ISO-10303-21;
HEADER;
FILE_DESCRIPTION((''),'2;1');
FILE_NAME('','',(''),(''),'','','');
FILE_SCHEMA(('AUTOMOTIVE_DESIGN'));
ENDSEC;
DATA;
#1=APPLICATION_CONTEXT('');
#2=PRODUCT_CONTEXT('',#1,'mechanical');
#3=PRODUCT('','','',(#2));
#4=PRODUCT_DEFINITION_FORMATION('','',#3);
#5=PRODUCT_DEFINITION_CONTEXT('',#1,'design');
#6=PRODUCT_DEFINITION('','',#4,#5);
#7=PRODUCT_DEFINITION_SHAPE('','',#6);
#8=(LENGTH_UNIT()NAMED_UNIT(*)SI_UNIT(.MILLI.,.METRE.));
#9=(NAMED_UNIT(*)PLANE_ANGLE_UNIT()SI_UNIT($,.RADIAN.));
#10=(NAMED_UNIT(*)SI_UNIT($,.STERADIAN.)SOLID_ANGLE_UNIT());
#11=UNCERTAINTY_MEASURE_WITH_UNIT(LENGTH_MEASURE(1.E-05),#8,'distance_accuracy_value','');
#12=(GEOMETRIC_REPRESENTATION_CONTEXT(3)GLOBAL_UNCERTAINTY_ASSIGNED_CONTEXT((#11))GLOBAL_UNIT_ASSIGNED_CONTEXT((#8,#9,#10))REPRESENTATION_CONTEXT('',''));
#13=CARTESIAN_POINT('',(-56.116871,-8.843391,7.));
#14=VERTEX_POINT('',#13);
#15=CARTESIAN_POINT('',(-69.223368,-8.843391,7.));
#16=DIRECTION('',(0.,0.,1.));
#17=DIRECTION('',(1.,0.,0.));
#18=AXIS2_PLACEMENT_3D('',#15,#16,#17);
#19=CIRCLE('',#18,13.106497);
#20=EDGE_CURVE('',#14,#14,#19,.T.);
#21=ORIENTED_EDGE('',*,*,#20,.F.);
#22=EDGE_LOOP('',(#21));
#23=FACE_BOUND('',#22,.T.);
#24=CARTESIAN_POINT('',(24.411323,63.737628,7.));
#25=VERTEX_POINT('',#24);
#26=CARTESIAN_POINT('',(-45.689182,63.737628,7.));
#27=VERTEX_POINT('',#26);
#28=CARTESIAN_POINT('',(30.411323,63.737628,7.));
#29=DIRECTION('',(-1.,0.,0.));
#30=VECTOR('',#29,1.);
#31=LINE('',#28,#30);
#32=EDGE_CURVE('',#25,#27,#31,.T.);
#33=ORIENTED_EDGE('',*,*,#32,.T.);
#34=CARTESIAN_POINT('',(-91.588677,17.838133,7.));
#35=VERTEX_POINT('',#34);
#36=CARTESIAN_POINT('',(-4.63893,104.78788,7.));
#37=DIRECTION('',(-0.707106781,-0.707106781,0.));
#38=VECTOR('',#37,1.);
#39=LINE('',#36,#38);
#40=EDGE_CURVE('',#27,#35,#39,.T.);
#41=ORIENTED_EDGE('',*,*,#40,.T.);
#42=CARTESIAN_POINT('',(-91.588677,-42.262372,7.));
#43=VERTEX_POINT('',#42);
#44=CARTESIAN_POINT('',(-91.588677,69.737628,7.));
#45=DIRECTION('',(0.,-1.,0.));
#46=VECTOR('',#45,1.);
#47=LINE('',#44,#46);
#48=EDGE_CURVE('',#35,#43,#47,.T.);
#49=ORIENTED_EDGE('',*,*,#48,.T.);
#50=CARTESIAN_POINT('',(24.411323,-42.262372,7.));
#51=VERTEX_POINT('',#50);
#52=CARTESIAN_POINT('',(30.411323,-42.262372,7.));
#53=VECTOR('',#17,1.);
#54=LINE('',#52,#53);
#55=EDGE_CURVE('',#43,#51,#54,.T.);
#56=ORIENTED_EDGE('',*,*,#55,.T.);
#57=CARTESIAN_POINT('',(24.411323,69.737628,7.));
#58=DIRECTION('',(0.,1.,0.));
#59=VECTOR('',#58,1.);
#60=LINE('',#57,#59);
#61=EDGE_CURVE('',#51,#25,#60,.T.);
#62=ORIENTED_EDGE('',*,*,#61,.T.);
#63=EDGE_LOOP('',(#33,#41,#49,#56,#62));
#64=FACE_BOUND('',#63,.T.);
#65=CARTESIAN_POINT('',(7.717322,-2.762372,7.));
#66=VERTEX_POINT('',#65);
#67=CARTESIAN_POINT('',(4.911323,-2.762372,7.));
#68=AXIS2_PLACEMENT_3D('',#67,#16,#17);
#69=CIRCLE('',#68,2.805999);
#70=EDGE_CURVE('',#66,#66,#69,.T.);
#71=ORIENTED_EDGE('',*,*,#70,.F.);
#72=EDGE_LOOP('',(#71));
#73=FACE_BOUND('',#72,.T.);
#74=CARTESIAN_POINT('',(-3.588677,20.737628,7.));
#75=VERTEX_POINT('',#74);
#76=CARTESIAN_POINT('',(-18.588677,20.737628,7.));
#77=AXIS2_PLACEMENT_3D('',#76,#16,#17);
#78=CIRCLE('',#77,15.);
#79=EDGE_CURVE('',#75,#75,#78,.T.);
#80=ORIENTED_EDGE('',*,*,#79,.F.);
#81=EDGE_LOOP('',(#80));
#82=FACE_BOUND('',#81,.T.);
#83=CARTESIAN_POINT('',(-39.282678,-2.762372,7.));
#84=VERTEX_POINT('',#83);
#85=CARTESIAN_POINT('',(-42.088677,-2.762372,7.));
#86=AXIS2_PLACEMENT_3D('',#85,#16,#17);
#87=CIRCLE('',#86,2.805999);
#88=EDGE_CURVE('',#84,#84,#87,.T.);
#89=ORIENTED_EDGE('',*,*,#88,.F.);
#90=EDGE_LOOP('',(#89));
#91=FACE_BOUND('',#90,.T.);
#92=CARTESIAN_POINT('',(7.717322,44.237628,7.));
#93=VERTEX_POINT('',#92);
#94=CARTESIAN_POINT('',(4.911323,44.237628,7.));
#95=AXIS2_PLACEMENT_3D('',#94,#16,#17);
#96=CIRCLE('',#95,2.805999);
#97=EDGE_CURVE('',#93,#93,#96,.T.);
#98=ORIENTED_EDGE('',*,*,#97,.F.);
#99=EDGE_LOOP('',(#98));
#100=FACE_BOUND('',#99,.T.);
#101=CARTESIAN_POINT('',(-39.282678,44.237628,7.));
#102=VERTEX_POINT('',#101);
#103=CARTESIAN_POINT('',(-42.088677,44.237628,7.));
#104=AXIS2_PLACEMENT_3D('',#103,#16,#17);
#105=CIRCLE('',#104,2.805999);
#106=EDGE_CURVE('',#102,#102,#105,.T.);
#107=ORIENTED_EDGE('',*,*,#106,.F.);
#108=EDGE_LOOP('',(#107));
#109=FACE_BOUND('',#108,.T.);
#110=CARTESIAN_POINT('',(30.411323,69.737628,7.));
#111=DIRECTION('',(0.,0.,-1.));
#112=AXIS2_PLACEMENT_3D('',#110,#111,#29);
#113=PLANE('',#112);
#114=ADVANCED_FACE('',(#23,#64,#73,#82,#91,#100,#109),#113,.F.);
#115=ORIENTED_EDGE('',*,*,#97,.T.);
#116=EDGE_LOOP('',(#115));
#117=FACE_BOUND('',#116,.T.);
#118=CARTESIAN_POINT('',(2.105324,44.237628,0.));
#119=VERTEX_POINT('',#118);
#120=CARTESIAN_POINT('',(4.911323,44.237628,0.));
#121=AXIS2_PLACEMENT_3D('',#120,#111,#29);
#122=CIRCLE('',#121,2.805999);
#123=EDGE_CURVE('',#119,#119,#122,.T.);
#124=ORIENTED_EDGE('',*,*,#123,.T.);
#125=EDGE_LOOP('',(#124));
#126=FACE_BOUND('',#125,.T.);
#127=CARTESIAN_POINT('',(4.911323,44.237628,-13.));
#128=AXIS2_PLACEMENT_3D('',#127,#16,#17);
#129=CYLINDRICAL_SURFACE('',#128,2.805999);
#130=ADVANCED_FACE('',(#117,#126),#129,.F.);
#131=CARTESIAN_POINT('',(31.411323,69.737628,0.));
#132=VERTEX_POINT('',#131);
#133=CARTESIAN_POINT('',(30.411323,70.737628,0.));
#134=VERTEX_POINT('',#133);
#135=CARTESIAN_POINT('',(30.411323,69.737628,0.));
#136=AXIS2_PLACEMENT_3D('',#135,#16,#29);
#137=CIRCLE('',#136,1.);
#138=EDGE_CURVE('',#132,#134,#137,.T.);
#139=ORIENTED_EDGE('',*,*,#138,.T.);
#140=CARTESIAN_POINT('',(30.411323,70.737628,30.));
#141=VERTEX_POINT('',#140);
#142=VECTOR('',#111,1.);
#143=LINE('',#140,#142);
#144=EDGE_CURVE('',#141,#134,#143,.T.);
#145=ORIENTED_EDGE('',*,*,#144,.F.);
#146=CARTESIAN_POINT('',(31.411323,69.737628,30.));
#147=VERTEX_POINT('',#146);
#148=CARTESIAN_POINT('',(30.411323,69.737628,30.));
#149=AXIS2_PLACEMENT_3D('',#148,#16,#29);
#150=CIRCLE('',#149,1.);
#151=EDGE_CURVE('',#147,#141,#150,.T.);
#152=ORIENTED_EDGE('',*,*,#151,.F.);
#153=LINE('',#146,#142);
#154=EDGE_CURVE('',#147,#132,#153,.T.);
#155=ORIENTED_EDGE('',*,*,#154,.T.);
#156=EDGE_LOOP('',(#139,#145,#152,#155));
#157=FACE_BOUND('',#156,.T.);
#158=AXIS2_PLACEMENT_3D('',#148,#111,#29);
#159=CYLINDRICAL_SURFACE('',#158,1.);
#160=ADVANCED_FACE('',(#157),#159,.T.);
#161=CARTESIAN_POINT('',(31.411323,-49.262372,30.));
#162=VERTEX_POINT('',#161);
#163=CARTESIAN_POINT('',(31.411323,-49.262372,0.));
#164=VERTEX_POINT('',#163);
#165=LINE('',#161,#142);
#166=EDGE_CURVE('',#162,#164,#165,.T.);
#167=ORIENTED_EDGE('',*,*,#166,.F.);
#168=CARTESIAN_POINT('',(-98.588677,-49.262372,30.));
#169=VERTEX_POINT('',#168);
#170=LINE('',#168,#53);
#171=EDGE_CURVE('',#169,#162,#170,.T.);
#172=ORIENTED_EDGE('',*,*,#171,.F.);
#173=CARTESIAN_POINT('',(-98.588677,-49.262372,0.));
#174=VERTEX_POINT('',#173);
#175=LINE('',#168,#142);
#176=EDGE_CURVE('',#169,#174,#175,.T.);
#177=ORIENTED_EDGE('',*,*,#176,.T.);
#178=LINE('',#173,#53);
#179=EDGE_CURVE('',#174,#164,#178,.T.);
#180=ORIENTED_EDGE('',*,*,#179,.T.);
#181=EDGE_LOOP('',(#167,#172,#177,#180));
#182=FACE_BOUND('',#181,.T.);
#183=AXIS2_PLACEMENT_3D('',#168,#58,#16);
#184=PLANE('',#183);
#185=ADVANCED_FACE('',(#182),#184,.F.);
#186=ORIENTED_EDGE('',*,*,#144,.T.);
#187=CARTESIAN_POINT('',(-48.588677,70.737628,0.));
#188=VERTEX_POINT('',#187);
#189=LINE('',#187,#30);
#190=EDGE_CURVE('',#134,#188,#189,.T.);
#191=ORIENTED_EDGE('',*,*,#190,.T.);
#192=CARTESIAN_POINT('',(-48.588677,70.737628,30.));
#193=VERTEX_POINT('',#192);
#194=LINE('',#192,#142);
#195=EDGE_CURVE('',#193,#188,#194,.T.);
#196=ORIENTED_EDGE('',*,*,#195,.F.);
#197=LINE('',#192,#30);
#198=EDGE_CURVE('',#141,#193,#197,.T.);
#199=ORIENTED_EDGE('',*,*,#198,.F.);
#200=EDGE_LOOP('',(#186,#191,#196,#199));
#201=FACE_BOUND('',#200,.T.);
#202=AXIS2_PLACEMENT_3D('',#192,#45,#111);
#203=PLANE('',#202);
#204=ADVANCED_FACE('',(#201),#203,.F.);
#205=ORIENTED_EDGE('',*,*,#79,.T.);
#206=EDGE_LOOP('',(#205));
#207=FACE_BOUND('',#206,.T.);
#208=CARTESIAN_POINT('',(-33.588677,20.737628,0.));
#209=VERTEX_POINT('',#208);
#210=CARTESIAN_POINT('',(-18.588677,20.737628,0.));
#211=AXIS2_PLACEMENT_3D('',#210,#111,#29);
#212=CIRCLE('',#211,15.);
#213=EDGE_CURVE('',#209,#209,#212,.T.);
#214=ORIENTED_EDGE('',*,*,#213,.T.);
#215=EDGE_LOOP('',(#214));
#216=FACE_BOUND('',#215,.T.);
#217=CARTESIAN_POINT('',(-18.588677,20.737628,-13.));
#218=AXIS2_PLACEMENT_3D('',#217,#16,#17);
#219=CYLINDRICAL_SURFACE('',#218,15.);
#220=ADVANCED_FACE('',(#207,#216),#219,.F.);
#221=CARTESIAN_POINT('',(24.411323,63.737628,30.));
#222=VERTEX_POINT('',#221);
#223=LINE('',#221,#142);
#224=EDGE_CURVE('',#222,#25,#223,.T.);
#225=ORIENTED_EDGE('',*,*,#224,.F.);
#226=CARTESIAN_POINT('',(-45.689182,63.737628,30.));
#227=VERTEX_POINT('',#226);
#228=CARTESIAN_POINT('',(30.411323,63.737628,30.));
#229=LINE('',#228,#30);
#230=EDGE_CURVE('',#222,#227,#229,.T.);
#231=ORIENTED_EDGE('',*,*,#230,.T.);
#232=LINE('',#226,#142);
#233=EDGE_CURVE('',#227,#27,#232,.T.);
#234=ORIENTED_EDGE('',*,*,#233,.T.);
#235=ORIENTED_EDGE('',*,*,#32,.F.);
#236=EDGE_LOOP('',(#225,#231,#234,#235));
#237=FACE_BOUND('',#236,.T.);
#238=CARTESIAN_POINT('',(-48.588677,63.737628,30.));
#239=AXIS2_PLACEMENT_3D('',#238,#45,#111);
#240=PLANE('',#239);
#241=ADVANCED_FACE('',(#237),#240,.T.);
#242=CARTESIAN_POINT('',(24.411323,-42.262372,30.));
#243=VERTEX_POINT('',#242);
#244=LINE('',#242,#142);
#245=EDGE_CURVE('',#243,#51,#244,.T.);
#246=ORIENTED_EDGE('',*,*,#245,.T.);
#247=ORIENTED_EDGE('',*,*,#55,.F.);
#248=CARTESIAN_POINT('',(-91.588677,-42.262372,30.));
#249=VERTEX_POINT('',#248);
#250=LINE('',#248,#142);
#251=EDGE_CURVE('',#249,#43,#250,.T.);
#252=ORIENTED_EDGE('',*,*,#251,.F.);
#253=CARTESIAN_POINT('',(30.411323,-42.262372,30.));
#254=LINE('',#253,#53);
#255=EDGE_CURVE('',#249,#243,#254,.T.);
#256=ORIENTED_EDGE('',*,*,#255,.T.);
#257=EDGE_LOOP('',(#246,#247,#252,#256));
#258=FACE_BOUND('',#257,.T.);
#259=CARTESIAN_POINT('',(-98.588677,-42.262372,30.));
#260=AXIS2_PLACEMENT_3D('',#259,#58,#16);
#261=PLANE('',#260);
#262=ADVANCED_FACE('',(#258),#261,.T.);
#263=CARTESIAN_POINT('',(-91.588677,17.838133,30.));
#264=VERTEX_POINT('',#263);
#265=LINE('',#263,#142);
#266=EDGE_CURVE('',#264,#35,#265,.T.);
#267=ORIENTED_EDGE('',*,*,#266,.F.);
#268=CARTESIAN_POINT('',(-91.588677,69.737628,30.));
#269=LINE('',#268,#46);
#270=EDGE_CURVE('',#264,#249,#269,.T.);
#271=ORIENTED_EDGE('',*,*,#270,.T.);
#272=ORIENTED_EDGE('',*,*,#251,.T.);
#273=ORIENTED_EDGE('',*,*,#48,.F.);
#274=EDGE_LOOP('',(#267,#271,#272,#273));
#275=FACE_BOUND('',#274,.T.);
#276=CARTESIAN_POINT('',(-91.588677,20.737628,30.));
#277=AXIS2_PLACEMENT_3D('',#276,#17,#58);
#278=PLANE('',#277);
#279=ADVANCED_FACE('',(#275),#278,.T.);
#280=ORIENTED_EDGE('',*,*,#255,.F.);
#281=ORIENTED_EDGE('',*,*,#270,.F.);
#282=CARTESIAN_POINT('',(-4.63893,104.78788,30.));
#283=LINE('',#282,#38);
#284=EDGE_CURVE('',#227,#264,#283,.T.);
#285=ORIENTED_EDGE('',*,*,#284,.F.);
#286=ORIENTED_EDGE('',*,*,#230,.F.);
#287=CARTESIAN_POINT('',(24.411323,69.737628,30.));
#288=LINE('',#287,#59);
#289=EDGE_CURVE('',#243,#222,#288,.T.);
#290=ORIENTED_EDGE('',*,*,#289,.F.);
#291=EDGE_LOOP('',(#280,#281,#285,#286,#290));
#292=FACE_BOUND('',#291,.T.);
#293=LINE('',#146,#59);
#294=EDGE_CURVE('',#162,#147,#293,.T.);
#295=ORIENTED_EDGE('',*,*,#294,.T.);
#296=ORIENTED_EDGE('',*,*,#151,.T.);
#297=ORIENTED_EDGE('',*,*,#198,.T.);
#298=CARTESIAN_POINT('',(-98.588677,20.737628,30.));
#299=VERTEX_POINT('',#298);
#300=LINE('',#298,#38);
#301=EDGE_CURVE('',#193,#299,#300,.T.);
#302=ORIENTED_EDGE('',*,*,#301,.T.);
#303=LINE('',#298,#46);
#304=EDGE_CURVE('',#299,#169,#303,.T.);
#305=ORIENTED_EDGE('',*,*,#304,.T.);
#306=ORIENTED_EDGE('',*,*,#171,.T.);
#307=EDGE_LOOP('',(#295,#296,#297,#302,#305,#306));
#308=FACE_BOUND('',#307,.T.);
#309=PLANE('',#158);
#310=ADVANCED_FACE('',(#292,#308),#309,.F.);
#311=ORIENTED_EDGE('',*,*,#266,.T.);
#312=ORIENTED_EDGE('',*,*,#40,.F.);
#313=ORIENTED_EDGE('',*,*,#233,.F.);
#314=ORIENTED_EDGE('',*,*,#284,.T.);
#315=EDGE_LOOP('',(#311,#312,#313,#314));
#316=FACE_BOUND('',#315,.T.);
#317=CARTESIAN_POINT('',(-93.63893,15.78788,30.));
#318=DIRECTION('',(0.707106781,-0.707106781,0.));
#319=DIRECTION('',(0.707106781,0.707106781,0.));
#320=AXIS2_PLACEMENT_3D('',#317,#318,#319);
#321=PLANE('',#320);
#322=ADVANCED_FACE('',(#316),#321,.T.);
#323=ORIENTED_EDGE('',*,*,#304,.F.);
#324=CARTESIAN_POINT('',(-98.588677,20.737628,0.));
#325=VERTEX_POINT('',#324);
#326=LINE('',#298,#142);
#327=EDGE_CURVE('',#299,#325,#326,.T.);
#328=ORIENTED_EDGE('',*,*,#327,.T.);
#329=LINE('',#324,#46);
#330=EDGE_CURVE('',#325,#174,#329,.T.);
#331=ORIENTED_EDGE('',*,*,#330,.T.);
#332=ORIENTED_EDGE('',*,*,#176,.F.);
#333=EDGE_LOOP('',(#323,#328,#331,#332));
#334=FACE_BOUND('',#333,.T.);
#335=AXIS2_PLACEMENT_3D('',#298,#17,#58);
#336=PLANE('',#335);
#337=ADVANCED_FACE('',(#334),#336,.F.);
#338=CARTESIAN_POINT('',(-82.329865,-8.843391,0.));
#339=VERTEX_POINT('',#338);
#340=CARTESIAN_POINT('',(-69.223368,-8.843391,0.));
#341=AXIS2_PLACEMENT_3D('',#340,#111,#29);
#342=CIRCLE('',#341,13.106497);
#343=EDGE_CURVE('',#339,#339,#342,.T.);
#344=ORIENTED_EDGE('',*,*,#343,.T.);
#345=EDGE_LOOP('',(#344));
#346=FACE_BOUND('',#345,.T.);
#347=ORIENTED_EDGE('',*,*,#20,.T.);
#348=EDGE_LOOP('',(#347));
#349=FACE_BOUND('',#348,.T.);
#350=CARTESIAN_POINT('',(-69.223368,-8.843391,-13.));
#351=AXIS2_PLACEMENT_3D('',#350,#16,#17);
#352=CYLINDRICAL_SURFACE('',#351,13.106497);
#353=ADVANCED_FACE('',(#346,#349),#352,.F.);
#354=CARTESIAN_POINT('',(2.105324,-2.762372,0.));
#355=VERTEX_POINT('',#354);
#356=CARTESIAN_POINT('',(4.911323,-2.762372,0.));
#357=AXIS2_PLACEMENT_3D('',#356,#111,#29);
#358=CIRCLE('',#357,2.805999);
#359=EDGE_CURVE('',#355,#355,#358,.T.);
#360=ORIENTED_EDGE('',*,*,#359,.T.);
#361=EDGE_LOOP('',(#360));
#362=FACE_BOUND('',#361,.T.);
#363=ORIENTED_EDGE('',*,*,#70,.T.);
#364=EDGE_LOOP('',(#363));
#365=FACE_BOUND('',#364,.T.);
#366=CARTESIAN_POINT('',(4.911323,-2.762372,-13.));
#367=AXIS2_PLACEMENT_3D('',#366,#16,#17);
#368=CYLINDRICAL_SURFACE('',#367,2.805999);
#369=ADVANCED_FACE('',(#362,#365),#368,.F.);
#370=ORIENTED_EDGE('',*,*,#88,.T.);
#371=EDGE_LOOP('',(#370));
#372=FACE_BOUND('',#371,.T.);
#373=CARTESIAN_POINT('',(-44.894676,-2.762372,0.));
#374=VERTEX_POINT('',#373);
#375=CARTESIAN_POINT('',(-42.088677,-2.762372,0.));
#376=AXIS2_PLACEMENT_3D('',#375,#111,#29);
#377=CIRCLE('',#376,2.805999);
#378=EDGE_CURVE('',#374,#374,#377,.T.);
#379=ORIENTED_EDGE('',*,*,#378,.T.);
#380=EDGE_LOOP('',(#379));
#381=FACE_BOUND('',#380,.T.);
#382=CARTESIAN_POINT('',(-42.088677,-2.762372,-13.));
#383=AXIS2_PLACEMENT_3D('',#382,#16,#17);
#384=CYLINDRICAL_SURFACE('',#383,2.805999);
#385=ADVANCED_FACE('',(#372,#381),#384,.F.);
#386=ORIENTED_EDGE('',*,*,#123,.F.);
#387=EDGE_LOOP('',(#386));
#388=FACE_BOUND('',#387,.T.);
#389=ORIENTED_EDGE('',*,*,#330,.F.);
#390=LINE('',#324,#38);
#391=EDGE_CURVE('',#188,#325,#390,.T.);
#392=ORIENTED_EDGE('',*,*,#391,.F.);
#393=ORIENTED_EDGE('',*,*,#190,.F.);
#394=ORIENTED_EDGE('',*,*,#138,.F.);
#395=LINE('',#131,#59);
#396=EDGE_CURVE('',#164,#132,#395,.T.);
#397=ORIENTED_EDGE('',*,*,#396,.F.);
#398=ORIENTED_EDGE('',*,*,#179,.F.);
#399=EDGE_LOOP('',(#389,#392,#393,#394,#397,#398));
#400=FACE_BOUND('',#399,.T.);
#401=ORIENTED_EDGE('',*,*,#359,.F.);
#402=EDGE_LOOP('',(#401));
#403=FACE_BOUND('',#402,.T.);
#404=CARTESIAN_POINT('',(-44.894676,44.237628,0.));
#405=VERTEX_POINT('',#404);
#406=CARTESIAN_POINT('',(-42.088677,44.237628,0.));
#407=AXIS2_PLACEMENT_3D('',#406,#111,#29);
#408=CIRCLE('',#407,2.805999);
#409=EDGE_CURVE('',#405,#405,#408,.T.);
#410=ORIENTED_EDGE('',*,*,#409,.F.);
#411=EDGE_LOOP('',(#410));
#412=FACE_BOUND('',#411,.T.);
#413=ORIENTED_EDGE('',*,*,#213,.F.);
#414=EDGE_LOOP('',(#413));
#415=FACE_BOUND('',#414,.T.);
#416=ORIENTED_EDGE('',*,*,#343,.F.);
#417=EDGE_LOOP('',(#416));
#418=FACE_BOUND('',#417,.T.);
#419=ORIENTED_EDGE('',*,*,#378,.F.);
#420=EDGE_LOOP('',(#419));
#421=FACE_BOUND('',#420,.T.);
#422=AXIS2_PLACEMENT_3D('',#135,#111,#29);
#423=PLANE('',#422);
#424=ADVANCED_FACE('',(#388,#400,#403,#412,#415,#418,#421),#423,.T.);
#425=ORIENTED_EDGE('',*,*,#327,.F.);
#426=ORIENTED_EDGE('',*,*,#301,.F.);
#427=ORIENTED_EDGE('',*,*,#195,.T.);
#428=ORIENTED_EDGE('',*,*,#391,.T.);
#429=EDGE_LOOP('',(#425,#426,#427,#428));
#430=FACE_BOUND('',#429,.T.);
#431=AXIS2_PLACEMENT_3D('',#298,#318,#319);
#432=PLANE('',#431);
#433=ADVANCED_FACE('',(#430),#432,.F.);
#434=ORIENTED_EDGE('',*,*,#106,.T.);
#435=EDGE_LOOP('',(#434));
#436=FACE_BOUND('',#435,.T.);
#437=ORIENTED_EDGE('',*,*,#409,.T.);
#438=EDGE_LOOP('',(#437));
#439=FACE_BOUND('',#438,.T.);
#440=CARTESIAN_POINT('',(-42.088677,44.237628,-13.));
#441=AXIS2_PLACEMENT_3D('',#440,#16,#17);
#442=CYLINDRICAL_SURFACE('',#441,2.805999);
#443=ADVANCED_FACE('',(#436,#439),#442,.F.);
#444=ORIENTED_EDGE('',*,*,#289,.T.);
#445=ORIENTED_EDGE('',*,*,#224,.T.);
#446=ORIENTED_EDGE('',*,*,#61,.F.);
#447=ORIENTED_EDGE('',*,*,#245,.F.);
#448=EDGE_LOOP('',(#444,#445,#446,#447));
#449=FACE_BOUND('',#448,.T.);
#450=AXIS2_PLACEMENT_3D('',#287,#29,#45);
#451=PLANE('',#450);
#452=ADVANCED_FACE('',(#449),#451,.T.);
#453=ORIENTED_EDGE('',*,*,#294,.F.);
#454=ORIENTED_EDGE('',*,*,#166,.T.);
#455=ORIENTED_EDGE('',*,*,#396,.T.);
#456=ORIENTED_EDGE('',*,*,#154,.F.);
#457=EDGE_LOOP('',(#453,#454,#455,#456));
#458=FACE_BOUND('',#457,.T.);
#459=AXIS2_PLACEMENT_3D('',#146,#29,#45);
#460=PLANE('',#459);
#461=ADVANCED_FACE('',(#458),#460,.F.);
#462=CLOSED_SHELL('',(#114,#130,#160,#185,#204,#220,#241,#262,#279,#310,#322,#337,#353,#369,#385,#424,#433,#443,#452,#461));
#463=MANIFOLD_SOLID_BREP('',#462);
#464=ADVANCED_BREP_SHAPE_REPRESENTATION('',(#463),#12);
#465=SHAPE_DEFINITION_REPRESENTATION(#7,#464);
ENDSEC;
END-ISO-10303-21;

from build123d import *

# Parameters (mm, degrees)
BOSS_EXTRUDE1_DEPTH  = 30
SHELL1_T             = -7
SKETCH2_R            = 15
CUT_EXTRUDE1_DEPTH   = 20
SKETCH3_R            = 2.805999004
CUT_EXTRUDE2_DEPTH   = 20
LPATTERN1_COUNT      = 2
LPATTERN1_PITCH      = 47
LPATTERN1_COUNT_DIR2 = 2
LPATTERN1_PITCH_DIR2 = 47
SKETCH4_R            = 13.106496876
CUT_EXTRUDE3_DEPTH   = 20


with BuildPart() as part:
    # Sketch1 → Boss-Extrude1 (new body)
    with BuildSketch(Plane.XY):
        with BuildLine():
            Line((-98.588677058, 20.737627793), (-48.588677058, 70.737627793))
            Line((-48.588677058, 70.737627793), (30.411322942, 70.737627793))
            ThreePointArc((30.411322942, 70.737627793), (31.118429723, 70.444734574), (31.411322942, 69.737627793))
            Line((31.411322942, 69.737627793), (31.411322942, -49.262372207))
            Line((31.411322942, -49.262372207), (-98.588677058, -49.262372207))
            Line((-98.588677058, -49.262372207), (-98.588677058, 20.737627793))
        make_face()
    extrude(amount=BOSS_EXTRUDE1_DEPTH)

    # Shell1
    shell1_openings = [part.faces().sort_by_distance(p)[0] for p in [
        (-29.379362159, 6.961996775, 30),
    ]]
    offset(amount=SHELL1_T, openings=shell1_openings, kind=Kind.INTERSECTION)

    # Sketch2 → Cut-Extrude1 (cut)
    with BuildSketch(Plane.XY.offset(7)):
        with Locations((-18.588677058, 20.737627793)):
            Circle(SKETCH2_R)
    extrude(amount=-CUT_EXTRUDE1_DEPTH, mode=Mode.SUBTRACT)

    # Sketch3 → Cut-Extrude2 (cut)
    with BuildSketch(Plane.XY.offset(7)):
        with Locations((-42.088677058, 44.237627793)):
            Circle(SKETCH3_R)
    cut_extrude2 = extrude(amount=-CUT_EXTRUDE2_DEPTH, mode=Mode.SUBTRACT)

    # LPattern1: Cut-Extrude2 2 × 2
    with Locations(*[(i * LPATTERN1_PITCH, -j * LPATTERN1_PITCH_DIR2, 0) for i in range(LPATTERN1_COUNT) for j in range(LPATTERN1_COUNT_DIR2) if (i, j) != (0, 0)]):
        add(cut_extrude2, mode=Mode.SUBTRACT)

    # Sketch4 → Cut-Extrude3 (cut)
    with BuildSketch(Plane.XY.offset(7)):
        with Locations((-69.22336781, -8.843391448)):
            Circle(SKETCH4_R)
    extrude(amount=-CUT_EXTRUDE3_DEPTH, mode=Mode.SUBTRACT)


solid = part.part
